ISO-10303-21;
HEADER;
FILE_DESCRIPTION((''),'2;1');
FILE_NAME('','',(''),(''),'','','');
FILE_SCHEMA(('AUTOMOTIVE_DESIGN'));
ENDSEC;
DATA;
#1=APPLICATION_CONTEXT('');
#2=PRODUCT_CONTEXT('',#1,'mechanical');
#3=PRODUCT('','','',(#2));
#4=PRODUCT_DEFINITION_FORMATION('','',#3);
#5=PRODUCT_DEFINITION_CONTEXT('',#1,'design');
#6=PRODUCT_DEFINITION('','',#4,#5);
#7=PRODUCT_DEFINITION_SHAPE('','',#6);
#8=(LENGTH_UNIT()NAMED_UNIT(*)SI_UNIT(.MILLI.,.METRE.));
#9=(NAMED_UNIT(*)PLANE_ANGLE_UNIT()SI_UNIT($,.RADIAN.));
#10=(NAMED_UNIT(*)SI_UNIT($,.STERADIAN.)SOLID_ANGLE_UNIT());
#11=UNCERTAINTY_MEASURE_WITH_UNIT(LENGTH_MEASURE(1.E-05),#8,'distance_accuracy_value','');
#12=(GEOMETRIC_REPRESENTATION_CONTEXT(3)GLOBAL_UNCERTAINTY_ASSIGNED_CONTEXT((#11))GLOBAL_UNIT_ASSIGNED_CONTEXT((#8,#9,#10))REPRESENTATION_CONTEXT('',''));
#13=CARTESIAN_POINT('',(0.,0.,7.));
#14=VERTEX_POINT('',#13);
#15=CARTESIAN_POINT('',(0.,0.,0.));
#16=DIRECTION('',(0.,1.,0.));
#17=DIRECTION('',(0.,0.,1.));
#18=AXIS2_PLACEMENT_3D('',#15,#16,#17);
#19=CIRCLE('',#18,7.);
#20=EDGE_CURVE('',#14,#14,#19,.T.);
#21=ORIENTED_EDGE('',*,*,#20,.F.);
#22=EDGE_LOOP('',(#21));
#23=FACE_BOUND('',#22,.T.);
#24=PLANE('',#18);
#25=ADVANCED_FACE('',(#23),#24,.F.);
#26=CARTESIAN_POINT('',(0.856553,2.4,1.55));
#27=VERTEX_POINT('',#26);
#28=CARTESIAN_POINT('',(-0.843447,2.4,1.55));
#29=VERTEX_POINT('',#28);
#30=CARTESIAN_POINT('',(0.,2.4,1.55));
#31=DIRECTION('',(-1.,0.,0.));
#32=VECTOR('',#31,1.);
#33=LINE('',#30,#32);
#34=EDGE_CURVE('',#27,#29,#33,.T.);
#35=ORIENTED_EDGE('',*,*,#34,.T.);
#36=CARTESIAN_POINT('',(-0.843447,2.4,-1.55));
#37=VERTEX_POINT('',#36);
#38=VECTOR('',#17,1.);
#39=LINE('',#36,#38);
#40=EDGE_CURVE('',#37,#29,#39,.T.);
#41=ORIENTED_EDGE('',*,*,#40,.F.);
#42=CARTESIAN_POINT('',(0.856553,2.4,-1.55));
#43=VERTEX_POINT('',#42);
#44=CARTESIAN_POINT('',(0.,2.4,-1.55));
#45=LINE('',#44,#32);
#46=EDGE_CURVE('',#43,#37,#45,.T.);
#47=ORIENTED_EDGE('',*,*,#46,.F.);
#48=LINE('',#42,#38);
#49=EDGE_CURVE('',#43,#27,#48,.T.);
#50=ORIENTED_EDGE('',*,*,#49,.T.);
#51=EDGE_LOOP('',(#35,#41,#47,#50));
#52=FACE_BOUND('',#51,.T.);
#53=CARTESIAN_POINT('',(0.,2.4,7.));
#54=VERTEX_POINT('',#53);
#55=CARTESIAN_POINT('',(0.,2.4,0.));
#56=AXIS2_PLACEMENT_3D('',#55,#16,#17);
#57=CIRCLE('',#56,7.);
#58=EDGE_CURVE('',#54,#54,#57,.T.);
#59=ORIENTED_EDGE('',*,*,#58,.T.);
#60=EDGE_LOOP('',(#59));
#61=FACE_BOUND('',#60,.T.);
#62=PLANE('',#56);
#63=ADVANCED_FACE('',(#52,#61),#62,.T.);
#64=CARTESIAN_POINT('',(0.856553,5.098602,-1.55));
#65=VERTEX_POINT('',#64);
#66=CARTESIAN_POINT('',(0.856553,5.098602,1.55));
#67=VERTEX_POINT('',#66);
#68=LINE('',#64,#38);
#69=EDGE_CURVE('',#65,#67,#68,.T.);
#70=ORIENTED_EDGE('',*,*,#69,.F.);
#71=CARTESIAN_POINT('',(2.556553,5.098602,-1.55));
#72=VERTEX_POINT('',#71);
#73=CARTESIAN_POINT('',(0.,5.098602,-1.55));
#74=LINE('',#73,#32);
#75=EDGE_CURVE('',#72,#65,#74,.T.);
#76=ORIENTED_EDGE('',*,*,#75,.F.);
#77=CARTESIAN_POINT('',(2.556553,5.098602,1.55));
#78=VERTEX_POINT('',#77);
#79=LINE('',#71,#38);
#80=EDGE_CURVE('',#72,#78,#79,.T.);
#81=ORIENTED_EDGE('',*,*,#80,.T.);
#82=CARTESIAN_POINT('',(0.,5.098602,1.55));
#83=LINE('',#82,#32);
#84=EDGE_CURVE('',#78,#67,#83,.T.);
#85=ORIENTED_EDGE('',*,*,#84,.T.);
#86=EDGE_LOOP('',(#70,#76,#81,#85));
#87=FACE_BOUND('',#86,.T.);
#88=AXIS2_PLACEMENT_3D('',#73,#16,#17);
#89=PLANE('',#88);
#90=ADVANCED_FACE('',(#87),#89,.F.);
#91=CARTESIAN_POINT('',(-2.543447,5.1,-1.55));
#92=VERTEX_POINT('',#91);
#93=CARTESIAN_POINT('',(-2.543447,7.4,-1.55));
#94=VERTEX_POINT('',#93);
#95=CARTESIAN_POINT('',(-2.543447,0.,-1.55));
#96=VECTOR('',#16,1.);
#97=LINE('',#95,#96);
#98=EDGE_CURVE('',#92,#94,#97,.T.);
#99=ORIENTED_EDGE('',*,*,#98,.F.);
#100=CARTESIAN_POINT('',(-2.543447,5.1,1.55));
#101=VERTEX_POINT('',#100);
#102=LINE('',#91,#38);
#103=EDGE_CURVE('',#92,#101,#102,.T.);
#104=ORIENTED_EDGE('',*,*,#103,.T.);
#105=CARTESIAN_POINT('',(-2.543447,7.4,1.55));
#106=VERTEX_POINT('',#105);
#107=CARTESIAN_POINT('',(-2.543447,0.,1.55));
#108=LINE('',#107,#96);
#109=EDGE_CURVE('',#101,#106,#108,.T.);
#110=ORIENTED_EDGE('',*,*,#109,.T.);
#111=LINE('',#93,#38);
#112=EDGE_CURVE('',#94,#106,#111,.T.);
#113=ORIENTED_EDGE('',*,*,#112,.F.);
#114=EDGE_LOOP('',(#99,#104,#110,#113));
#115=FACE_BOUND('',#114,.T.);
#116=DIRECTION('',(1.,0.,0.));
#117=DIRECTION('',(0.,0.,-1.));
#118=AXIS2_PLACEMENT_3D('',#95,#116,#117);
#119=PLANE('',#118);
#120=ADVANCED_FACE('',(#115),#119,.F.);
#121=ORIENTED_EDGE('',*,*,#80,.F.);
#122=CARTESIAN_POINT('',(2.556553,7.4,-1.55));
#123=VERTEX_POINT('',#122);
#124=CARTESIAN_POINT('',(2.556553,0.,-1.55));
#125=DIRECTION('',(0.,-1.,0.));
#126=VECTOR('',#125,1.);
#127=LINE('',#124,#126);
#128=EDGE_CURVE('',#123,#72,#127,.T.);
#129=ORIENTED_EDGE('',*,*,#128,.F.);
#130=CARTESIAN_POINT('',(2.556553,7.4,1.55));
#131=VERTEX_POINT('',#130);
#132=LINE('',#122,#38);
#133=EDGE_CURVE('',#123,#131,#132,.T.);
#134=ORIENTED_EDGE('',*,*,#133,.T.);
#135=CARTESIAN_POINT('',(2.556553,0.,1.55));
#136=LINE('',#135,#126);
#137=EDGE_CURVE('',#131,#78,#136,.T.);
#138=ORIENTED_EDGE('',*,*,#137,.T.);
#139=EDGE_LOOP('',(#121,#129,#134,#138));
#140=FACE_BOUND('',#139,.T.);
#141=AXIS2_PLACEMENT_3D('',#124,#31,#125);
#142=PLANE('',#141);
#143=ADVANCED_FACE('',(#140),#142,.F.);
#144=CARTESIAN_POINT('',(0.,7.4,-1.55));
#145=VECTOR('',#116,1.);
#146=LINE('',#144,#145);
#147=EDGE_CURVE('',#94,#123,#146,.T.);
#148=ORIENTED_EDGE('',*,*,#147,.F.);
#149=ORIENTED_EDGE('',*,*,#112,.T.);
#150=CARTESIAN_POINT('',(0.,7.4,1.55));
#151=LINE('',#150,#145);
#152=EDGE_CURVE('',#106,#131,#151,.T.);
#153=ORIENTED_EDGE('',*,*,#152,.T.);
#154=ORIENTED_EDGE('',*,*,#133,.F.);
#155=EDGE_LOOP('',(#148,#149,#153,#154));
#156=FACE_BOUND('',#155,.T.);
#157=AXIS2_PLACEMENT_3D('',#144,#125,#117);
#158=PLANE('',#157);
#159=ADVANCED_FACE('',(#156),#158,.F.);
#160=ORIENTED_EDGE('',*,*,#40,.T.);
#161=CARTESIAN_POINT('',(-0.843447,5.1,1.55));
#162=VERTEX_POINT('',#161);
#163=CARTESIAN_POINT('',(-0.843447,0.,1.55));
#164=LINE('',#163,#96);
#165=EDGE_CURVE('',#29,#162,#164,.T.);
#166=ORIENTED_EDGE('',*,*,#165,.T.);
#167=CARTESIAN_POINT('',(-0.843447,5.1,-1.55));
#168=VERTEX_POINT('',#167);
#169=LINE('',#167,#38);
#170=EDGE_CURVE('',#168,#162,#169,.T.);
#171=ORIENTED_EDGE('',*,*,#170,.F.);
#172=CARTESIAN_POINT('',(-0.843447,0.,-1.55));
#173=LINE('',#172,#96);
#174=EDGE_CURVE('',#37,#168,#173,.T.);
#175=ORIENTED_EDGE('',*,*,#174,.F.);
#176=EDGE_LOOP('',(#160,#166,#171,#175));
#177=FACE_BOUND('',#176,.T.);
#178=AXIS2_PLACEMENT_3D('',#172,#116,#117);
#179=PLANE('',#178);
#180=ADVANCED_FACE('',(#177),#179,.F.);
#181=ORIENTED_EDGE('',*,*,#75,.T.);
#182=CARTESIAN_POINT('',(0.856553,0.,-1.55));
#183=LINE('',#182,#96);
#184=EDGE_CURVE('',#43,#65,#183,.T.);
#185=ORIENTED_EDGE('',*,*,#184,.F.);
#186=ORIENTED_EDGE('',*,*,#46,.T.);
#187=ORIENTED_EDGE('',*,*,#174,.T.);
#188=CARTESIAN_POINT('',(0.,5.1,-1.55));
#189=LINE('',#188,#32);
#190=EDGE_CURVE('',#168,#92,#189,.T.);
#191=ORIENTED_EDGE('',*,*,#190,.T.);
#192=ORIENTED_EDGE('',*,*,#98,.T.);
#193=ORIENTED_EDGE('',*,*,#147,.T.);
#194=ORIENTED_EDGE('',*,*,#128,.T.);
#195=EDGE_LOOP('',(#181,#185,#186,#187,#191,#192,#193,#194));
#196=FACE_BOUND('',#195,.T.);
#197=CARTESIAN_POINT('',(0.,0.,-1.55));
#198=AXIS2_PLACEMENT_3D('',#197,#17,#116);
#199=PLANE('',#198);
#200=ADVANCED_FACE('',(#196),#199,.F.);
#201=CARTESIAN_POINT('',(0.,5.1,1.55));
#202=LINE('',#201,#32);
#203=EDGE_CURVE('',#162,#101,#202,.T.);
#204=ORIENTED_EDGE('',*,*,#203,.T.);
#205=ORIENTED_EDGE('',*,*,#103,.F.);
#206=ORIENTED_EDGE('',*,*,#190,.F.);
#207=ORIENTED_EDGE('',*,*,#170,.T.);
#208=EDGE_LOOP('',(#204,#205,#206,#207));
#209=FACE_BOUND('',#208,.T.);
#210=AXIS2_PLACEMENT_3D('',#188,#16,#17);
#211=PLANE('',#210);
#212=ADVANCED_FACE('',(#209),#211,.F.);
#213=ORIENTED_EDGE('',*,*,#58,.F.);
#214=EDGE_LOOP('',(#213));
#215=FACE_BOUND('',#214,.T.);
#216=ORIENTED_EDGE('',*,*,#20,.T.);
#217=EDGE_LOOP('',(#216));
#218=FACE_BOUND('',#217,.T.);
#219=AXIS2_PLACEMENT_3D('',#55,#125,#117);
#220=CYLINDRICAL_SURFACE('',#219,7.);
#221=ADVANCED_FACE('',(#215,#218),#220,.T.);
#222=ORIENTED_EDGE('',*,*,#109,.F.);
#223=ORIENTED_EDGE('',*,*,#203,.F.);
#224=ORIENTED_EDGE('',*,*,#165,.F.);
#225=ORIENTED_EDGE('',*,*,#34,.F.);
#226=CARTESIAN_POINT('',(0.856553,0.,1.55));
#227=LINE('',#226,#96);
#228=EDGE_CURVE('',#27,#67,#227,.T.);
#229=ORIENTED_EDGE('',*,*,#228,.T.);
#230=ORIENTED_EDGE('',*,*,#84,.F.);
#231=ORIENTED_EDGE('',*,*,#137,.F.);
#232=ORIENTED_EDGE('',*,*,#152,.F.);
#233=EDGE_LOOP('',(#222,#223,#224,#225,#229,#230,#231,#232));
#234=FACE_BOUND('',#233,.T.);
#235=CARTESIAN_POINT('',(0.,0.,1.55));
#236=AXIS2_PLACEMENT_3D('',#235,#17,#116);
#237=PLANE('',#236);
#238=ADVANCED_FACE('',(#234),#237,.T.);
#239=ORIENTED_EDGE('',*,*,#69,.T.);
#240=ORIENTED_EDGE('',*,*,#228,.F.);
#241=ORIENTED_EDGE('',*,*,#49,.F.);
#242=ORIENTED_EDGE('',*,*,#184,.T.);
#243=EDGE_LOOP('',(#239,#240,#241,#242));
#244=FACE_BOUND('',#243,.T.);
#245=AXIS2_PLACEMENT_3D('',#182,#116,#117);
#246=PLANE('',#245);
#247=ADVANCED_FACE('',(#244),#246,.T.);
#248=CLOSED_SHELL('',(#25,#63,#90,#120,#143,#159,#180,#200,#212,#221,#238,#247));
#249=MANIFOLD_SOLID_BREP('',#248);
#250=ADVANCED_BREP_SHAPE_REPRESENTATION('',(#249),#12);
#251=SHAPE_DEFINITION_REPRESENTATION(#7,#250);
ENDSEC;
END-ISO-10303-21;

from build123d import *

# Parameters (mm, degrees)
SKETCH1_R                = 7
BOSS_EXTRUDE1_DEPTH      = 2.4
BOSS_EXTRUDE3_DEPTH      = 1.55
BOSS_EXTRUDE3_DEPTH_BACK = 1.55


with BuildPart() as part:
    # Sketch1 → Boss-Extrude1 (new body)
    with BuildSketch(Plane(origin=(0, 0, 0), x_dir=(1, 0, 0), z_dir=(0, 1, 0))):
        Circle(SKETCH1_R)
    extrude(amount=BOSS_EXTRUDE1_DEPTH)

    # Sketch3 → Boss-Extrude3 (add, two sides: drawn at the far end of the back side and taken through both)
    with BuildSketch(Plane.XY.offset(-BOSS_EXTRUDE3_DEPTH_BACK)):
        Polygon((-0.843447487, 2.4), (0, 2.4), (0.856552513, 2.4), (0.856552513, 5.098601719), (2.556552513, 5.098601719), (2.556552513, 7.4), (-2.543447487, 7.4), (-2.543447487, 5.1), (-0.843447487, 5.1), align=None)
    extrude(amount=BOSS_EXTRUDE3_DEPTH + BOSS_EXTRUDE3_DEPTH_BACK)


solid = part.part
